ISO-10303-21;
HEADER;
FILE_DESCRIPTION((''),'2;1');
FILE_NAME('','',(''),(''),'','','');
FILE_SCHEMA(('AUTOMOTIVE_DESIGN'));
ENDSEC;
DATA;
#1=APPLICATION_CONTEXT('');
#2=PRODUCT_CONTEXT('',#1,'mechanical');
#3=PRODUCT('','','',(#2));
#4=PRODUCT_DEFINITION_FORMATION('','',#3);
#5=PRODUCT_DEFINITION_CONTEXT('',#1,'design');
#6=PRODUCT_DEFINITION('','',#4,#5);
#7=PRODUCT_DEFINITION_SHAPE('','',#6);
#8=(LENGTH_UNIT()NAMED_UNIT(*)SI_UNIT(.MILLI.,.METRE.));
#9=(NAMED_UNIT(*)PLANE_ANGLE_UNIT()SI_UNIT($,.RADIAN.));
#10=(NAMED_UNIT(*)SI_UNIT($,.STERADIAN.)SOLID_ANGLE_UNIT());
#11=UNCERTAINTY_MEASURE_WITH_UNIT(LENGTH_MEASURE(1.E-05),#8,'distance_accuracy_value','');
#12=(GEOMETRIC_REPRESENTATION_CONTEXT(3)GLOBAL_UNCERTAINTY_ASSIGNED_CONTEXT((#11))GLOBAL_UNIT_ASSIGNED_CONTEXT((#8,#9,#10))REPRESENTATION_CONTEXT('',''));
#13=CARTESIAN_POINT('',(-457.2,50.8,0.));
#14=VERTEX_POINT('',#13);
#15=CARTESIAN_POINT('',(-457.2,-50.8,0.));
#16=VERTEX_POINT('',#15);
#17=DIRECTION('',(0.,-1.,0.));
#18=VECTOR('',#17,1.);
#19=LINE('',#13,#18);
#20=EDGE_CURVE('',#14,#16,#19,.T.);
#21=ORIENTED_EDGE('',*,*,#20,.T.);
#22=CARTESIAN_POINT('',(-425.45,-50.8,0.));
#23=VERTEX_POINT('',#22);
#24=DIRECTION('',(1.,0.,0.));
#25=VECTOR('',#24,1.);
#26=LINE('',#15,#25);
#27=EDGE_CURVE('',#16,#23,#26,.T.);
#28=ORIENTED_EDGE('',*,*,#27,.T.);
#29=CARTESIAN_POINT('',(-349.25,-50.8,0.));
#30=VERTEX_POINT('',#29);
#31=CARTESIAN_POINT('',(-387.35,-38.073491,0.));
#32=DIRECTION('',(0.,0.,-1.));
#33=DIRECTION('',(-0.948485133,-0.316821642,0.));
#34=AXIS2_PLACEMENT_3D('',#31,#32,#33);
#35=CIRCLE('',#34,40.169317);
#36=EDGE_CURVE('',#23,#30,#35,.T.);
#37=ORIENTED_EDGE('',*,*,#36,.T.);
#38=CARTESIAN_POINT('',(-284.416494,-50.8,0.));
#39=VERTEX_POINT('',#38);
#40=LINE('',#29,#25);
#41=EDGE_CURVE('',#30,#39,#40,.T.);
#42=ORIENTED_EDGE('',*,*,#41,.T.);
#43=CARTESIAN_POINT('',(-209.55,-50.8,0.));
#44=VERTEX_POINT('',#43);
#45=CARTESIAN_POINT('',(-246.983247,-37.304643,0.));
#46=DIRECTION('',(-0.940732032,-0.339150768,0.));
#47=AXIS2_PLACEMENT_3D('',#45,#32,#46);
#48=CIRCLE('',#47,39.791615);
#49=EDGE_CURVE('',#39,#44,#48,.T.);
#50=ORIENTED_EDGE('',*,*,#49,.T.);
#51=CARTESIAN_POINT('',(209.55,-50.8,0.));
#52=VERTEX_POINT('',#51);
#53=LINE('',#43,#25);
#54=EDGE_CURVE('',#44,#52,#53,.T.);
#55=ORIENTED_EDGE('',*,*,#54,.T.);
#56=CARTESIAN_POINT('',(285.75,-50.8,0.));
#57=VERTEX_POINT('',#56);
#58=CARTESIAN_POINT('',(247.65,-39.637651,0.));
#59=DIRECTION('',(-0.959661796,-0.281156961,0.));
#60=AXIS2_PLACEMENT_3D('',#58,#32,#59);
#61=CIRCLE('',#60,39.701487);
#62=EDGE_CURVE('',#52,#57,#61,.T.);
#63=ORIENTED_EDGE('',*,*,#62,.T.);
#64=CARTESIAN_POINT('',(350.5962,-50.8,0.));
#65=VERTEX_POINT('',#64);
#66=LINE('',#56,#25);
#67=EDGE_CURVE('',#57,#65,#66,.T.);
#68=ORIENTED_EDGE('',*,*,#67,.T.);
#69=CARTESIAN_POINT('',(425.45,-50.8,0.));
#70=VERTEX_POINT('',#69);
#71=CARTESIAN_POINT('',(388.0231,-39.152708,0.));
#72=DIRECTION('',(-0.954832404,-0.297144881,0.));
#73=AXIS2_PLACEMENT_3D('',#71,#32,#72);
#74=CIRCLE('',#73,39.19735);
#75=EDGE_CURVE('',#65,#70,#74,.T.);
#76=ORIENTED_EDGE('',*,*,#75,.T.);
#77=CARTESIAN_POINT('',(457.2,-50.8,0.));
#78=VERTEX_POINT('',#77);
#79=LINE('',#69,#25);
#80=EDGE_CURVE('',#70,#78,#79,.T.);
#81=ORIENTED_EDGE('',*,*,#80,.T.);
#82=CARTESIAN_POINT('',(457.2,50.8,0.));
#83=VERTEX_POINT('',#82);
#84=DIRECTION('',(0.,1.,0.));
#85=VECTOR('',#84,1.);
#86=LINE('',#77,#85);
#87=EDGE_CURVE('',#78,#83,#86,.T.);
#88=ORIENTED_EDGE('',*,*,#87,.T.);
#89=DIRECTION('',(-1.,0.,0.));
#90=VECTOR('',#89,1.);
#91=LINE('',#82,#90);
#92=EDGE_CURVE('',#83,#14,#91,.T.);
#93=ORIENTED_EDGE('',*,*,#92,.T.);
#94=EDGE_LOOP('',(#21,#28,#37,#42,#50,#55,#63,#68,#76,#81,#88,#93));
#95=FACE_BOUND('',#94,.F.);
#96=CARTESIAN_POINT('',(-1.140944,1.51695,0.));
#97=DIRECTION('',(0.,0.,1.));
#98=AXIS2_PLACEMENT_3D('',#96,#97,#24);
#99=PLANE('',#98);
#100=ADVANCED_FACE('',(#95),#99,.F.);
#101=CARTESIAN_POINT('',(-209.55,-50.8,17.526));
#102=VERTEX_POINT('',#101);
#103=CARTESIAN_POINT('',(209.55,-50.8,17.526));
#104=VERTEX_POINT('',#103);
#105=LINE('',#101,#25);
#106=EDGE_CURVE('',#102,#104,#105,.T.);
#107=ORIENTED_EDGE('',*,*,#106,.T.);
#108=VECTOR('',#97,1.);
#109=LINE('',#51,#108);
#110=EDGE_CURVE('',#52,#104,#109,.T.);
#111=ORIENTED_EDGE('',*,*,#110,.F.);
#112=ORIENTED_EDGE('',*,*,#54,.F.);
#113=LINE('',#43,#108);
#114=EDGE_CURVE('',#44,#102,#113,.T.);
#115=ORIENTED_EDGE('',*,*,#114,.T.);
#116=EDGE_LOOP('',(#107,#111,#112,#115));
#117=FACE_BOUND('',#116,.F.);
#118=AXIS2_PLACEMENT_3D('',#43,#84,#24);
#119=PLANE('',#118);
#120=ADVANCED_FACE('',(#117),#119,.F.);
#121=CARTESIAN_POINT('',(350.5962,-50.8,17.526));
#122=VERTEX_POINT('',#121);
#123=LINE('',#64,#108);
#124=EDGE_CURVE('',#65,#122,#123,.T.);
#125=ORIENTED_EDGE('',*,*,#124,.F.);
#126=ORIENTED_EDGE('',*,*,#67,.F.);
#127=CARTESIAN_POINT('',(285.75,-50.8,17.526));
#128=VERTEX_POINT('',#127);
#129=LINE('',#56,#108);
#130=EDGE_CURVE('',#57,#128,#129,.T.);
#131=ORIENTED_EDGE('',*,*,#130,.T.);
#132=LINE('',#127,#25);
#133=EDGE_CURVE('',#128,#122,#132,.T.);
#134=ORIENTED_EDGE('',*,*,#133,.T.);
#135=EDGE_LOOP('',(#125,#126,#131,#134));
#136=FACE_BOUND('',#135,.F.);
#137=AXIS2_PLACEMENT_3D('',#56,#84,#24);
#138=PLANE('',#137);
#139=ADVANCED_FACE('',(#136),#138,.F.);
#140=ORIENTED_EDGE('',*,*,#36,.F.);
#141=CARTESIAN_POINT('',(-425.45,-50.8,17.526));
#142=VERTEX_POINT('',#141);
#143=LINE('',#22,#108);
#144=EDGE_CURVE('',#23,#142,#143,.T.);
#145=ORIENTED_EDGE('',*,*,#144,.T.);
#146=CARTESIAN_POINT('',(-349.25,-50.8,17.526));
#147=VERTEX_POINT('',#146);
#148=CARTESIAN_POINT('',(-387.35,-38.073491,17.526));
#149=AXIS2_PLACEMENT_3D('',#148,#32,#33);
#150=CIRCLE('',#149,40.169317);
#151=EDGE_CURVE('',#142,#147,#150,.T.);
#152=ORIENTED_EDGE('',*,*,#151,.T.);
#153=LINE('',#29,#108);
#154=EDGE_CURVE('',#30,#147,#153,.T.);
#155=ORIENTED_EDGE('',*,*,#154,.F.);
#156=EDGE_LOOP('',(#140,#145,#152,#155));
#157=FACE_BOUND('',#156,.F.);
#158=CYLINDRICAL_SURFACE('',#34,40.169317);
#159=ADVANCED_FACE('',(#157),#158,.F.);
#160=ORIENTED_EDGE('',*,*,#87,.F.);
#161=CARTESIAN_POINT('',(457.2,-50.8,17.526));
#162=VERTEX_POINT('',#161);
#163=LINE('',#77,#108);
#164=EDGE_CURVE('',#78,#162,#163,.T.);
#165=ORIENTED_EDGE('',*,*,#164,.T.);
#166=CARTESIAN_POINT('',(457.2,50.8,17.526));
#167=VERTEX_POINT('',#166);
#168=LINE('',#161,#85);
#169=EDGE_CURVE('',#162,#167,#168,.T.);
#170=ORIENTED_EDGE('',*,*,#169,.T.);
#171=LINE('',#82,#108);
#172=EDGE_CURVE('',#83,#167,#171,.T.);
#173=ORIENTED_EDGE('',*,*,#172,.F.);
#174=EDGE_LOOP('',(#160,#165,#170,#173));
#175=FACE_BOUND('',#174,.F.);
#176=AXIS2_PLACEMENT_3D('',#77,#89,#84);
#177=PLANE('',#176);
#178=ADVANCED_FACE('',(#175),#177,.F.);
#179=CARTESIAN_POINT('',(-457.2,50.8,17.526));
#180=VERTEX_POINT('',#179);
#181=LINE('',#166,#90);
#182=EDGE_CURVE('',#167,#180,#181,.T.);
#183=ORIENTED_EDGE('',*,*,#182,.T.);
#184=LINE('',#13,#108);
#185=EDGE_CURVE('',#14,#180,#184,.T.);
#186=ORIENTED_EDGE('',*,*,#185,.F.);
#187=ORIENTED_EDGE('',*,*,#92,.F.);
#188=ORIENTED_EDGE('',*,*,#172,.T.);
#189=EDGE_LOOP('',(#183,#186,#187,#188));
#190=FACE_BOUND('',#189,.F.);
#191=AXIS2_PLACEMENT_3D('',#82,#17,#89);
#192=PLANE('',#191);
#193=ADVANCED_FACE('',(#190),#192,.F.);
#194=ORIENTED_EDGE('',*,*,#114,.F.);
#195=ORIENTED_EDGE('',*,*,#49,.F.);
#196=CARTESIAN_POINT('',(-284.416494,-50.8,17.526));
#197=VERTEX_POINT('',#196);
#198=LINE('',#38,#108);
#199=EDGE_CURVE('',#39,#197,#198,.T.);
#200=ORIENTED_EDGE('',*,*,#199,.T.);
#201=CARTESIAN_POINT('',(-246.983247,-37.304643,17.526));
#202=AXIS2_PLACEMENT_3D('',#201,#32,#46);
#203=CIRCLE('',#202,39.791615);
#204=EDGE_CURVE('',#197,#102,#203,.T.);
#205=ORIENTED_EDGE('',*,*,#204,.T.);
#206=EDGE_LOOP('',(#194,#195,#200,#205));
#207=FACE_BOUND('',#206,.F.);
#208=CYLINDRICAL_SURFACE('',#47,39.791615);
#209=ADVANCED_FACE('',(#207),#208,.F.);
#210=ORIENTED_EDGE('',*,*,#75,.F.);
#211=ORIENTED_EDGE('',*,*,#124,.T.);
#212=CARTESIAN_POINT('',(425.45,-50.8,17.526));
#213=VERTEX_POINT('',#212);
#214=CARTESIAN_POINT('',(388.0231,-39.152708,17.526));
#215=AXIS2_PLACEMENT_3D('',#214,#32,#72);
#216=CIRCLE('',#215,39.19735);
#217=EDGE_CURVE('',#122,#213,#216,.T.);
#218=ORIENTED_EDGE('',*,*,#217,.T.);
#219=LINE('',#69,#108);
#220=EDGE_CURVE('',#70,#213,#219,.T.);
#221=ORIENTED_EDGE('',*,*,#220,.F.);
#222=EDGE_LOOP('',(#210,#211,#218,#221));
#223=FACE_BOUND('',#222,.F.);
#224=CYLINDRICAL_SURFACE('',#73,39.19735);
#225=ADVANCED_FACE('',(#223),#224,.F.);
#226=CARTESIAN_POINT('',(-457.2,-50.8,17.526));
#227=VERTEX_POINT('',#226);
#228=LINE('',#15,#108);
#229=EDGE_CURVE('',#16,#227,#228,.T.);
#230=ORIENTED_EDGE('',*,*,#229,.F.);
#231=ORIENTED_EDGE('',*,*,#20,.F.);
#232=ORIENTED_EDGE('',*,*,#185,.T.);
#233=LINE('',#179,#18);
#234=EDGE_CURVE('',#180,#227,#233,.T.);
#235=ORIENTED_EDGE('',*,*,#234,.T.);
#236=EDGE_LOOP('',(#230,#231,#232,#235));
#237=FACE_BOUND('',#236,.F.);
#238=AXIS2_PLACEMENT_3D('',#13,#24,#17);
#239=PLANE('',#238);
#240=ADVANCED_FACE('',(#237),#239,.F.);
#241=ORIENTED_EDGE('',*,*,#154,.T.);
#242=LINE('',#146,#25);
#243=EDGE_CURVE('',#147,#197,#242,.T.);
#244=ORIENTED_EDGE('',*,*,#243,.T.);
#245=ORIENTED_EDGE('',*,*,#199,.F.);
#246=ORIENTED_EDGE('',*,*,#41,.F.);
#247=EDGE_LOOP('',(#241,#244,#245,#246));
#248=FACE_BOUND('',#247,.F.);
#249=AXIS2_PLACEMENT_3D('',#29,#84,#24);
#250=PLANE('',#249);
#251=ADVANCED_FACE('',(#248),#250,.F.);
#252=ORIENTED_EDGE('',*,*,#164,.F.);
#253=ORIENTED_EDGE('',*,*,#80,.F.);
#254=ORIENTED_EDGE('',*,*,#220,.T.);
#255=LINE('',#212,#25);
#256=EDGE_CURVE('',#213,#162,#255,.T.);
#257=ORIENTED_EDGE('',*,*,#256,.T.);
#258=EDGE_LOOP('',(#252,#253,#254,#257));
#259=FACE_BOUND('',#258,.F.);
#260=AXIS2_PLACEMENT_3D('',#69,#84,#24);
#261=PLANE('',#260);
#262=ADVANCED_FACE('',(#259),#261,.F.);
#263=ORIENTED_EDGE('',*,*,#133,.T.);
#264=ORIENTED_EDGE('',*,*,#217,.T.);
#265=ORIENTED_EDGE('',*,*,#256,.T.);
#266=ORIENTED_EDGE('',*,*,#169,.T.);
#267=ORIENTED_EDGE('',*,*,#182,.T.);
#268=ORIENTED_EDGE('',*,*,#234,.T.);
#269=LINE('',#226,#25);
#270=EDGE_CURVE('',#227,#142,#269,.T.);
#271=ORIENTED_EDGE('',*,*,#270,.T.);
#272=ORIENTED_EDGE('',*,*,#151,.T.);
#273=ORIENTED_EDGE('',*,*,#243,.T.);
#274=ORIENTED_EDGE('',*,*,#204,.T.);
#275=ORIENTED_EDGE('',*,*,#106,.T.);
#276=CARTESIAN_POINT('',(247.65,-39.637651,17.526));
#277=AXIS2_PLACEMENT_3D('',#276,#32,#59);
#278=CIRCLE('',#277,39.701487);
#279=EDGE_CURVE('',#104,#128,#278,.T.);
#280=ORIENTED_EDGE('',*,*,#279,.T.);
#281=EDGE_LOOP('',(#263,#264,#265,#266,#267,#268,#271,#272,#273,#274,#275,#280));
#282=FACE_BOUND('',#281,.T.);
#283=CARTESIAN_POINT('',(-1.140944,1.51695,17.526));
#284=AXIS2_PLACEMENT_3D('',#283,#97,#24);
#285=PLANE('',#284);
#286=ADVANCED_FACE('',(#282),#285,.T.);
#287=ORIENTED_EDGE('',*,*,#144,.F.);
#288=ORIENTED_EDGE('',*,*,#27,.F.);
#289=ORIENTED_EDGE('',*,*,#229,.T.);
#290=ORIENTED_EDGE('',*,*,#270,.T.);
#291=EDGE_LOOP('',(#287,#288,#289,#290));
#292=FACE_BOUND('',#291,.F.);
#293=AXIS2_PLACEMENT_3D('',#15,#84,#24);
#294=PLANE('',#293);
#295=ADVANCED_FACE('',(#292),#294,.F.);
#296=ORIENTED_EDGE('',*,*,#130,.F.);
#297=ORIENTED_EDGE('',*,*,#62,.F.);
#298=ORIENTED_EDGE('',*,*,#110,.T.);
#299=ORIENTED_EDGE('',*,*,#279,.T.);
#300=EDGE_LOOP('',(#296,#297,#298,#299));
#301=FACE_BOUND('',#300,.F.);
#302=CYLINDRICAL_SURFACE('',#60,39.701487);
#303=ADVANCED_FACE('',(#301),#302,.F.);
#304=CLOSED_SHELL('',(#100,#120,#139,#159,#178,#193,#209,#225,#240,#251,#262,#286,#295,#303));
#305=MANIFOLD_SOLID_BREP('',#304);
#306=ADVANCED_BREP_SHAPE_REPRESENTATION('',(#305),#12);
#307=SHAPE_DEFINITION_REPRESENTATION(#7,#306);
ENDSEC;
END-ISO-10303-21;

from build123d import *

# Parameters (mm, degrees)
F1_DEPTH = 17.526


with BuildPart() as f1:
    # F0 (on Top) → F1 (new body)
    with BuildSketch(Plane.XY):
        with BuildLine():
            Line((457.2, 50.8), (-457.2, 50.8))
            Line((-457.2, 50.8), (-457.2, -50.8))
            Line((-457.2, -50.8), (-425.45, -50.8))
            ThreePointArc((-425.45, -50.8), (-387.35, 2.095826), (-349.25, -50.8))
            Line((-349.25, -50.8), (-284.416494, -50.8))
            ThreePointArc((-284.416494, -50.8), (-246.983247, 2.486972), (-209.55, -50.8))
            Line((-209.55, -50.8), (209.55, -50.8))
            ThreePointArc((209.55, -50.8), (247.65, 0.063836), (285.75, -50.8))
            Line((285.75, -50.8), (350.5962, -50.8))
            ThreePointArc((350.5962, -50.8), (388.0231, 0.044642), (425.45, -50.8))
            Line((425.45, -50.8), (457.2, -50.8))
            Line((457.2, -50.8), (457.2, 50.8))
        make_face()
    extrude(amount=F1_DEPTH)


solid = f1.part
